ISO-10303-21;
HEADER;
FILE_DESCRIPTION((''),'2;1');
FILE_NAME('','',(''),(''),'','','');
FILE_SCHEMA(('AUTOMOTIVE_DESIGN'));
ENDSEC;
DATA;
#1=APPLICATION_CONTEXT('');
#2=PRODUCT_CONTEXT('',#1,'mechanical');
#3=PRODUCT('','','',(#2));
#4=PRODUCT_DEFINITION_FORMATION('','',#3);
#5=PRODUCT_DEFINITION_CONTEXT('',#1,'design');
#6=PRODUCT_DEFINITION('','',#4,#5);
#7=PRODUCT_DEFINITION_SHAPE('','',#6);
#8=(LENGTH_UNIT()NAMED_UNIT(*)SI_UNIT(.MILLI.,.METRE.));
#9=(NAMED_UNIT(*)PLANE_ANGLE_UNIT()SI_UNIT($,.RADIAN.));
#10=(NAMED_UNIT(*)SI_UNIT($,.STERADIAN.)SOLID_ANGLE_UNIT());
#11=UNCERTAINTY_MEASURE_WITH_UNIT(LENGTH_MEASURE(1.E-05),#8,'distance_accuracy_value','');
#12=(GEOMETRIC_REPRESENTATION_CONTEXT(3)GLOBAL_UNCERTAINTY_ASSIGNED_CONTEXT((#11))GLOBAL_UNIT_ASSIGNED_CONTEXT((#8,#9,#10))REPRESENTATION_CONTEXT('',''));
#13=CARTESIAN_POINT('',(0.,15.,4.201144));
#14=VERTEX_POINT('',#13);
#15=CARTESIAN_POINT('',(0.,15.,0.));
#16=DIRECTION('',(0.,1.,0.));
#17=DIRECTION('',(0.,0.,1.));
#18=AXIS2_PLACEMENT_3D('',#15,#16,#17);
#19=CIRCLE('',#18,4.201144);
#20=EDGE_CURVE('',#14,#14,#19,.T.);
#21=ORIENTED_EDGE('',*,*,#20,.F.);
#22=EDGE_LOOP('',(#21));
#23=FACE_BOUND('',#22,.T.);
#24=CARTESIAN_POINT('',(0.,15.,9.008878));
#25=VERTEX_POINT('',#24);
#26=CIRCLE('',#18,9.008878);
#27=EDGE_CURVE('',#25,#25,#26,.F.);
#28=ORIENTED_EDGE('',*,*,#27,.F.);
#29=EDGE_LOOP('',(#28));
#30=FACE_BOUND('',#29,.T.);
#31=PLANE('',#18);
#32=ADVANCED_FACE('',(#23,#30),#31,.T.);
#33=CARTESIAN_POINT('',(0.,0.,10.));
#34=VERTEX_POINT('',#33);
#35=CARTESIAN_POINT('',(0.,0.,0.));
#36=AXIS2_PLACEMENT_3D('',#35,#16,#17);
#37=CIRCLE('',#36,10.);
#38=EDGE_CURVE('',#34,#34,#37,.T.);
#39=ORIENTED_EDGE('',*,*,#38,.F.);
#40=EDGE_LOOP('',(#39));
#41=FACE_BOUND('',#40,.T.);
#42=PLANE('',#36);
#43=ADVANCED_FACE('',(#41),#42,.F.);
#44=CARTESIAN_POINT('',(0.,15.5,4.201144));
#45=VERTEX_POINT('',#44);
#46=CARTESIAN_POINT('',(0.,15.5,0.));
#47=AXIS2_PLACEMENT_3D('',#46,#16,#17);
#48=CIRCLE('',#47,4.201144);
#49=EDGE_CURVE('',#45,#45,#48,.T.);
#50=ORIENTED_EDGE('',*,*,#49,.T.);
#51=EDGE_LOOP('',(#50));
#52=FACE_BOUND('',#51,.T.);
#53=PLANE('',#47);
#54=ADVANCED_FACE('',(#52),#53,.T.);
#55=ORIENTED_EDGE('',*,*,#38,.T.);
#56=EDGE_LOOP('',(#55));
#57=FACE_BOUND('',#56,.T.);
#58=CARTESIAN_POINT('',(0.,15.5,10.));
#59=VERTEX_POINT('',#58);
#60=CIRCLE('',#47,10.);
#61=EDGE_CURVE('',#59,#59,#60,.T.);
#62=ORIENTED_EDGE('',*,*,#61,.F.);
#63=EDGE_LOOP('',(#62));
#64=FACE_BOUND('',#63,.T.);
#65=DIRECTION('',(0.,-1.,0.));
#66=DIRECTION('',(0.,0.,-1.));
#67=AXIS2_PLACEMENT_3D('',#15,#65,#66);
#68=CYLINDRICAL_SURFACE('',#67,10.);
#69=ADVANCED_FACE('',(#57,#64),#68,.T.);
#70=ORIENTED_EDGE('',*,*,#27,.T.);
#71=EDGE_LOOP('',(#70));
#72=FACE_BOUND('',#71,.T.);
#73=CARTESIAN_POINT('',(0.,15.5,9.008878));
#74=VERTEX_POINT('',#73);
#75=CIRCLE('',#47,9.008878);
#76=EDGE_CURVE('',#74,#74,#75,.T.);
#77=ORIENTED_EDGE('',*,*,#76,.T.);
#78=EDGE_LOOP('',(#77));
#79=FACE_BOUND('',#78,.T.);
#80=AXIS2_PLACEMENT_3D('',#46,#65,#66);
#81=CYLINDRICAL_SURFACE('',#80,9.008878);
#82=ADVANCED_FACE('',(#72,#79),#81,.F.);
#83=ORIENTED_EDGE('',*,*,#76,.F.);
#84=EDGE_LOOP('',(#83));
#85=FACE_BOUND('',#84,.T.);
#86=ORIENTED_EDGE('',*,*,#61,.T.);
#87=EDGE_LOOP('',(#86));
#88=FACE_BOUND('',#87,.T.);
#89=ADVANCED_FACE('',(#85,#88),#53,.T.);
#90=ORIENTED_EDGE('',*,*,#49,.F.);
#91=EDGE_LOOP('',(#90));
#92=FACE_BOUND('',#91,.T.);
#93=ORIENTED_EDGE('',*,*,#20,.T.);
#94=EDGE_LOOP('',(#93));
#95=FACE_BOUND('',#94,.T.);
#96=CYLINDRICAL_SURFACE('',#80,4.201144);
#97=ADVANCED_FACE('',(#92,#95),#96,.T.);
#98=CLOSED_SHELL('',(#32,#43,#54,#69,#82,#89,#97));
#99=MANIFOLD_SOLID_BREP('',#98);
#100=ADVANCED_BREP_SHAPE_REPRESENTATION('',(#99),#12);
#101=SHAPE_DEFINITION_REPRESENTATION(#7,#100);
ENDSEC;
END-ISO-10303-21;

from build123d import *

# Parameters (mm, degrees)
SKETCH1_R           = 10
BOSS_EXTRUDE1_DEPTH = 15
SKETCH2_R           = 10
SKETCH2_R_2         = 9.008877903
BOSS_EXTRUDE2_DEPTH = 0.5
SKETCH3_R           = 4.201144216
BOSS_EXTRUDE3_DEPTH = 0.5


with BuildPart() as part:
    # Sketch1 → Boss-Extrude1 (new body)
    with BuildSketch(Plane(origin=(0, 0, 0), x_dir=(1, 0, 0), z_dir=(0, 1, 0))):
        with Locations(Location((0, 0, 0), (0, 0, 270))):
            Circle(SKETCH1_R)
    extrude(amount=BOSS_EXTRUDE1_DEPTH)

    # Sketch2 → Boss-Extrude2 (add)
    with BuildSketch(Plane(origin=(0, 15, 0), x_dir=(1, 0, 0), z_dir=(0, 1, 0))):
        with Locations(Location((0, 0, 0), (0, 0, 270))):
            Circle(SKETCH2_R)
        with Locations(Location((0, 0, 0), (0, 0, 270))):
            Circle(SKETCH2_R_2, mode=Mode.SUBTRACT)
    extrude(amount=BOSS_EXTRUDE2_DEPTH)

    # Sketch3 → Boss-Extrude3 (add)
    with BuildSketch(Plane(origin=(0, 15, 0), x_dir=(1, 0, 0), z_dir=(0, 1, 0))):
        with Locations(Location((0, 0, 0), (0, 0, 270))):
            Circle(SKETCH3_R)
    extrude(amount=BOSS_EXTRUDE3_DEPTH)


solid = part.part
